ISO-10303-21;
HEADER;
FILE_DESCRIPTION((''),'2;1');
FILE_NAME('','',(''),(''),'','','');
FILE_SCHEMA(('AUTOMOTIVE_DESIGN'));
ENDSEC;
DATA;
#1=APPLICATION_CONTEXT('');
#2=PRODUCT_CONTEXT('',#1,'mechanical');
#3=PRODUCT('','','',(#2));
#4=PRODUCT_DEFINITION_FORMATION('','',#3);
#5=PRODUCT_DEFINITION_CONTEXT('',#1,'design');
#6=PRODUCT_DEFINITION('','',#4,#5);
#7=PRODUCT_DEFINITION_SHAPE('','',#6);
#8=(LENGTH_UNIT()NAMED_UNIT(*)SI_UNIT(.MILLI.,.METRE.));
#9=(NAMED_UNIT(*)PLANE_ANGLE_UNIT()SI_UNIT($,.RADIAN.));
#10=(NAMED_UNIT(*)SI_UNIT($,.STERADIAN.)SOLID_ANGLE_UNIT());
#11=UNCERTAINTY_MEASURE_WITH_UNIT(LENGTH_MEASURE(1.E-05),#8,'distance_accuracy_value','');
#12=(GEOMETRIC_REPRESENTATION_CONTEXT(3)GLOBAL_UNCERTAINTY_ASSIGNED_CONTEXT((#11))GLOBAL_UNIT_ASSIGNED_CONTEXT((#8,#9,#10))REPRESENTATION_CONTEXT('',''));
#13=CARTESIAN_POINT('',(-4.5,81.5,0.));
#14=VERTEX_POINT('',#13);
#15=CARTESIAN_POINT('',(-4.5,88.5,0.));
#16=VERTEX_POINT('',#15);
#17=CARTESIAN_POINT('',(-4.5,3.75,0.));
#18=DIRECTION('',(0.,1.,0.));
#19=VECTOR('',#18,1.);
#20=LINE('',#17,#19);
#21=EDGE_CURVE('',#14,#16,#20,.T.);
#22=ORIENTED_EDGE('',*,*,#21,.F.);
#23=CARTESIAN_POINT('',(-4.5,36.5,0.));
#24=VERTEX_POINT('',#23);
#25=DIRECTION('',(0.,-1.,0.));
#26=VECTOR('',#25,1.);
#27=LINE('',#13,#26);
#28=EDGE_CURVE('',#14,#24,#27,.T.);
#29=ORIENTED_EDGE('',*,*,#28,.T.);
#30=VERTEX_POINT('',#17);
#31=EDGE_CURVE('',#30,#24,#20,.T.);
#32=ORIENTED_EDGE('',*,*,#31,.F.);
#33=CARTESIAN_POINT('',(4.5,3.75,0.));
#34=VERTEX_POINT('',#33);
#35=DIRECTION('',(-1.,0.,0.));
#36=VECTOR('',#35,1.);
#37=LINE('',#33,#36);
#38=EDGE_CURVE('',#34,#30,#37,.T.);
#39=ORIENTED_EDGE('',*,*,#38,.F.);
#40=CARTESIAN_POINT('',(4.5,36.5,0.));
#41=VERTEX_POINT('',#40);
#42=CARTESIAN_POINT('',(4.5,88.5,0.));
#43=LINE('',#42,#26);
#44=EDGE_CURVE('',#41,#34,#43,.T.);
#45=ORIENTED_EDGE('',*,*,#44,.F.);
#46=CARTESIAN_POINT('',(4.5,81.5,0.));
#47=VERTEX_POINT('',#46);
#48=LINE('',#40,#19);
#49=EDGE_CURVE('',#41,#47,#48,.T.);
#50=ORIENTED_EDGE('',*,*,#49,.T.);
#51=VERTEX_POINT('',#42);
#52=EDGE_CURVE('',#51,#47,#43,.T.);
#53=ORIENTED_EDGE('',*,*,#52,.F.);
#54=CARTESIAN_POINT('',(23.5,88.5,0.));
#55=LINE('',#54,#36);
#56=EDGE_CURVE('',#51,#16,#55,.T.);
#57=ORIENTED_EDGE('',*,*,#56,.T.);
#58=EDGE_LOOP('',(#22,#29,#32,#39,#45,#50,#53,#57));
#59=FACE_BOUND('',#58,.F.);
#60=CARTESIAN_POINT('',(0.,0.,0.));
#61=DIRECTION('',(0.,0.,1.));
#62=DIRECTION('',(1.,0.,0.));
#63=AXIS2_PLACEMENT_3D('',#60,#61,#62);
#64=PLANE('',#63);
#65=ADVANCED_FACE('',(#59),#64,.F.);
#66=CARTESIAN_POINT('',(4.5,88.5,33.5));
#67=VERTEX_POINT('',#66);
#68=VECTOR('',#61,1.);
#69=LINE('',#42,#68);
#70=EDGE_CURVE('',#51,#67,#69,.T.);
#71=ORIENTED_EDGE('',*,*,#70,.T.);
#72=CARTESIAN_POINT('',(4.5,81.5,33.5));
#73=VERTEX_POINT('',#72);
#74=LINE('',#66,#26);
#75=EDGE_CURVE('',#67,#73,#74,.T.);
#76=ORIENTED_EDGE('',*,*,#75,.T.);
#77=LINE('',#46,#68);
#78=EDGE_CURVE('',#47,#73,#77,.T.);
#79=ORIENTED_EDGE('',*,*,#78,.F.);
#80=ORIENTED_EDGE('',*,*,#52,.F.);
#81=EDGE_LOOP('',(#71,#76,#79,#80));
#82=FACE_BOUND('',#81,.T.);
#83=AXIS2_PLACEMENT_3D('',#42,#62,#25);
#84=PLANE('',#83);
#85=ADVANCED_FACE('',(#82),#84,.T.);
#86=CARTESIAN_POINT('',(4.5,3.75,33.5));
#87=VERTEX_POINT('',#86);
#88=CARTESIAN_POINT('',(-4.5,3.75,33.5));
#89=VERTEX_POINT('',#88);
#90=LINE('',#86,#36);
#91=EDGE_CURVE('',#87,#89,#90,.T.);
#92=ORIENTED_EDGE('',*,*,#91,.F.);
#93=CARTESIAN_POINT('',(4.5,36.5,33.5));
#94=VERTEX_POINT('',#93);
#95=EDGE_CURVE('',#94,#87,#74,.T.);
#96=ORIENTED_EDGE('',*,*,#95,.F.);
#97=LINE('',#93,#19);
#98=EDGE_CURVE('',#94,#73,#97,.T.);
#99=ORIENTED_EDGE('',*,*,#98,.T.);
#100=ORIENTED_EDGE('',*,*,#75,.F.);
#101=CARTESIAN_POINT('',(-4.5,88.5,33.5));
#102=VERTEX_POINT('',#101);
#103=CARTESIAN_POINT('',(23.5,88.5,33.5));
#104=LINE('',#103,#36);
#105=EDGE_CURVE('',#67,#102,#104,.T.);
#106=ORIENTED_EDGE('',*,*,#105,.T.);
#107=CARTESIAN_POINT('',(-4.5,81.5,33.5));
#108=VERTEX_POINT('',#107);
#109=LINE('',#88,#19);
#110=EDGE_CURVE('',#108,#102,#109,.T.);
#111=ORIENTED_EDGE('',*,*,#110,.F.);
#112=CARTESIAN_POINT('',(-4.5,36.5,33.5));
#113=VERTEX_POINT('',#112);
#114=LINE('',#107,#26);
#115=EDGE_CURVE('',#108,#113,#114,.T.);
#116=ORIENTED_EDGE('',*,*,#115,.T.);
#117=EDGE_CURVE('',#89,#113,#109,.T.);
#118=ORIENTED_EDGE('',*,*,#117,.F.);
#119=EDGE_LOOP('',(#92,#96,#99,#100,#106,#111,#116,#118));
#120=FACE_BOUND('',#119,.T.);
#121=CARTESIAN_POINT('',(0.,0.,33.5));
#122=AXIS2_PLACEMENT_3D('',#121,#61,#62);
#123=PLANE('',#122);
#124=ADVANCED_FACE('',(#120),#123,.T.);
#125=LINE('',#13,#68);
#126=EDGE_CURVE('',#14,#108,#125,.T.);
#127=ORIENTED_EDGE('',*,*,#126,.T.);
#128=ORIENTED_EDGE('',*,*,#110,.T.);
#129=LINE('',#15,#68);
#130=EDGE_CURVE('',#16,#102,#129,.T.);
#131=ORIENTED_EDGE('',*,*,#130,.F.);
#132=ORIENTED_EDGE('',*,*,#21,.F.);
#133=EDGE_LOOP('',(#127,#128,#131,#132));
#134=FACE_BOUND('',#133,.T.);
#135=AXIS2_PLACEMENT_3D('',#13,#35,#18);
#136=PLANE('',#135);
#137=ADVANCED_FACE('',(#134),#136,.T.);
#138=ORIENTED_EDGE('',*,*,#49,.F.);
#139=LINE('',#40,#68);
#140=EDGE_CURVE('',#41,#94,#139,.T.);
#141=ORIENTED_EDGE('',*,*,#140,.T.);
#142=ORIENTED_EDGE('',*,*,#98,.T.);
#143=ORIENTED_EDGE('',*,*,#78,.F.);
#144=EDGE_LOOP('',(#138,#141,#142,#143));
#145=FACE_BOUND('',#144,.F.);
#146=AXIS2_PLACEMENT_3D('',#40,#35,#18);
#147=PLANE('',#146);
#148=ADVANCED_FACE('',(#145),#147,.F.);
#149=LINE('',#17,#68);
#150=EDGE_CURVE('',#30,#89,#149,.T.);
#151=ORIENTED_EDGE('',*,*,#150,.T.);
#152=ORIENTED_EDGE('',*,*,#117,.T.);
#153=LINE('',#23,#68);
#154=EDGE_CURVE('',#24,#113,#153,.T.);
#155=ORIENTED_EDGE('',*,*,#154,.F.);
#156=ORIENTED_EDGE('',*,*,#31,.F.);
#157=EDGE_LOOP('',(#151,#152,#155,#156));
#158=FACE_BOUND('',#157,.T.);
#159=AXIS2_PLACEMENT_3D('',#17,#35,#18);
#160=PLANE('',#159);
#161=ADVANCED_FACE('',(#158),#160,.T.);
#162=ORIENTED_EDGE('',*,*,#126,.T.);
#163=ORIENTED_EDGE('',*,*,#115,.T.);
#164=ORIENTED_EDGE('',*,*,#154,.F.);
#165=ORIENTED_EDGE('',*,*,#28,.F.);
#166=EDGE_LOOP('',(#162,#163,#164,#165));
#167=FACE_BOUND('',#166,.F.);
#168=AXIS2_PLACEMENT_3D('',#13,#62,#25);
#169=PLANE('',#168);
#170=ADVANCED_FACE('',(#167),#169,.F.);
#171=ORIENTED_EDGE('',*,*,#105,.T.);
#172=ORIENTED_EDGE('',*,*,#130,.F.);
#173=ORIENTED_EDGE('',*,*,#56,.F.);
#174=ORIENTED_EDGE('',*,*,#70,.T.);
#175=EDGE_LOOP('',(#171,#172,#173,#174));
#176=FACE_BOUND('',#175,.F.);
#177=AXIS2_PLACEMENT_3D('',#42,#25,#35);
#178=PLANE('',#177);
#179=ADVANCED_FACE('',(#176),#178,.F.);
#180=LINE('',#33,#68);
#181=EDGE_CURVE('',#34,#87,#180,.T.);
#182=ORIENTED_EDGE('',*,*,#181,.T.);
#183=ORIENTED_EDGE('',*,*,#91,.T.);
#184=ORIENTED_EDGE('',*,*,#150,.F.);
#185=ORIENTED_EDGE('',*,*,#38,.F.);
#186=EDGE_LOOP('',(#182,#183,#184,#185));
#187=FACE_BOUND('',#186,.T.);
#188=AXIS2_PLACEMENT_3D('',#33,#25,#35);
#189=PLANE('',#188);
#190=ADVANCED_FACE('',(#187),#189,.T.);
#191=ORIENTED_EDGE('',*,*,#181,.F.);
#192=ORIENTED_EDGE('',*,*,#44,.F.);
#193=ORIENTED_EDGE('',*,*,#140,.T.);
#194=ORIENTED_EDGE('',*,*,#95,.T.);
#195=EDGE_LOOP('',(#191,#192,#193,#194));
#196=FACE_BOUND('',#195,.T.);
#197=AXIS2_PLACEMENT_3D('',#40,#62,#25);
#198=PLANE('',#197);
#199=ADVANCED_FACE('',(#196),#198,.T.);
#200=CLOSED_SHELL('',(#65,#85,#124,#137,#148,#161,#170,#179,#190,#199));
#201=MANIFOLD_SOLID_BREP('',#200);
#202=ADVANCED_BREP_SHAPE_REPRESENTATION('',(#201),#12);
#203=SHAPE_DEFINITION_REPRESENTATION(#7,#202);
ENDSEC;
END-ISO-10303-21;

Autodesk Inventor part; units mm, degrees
ref_plane "YZ Plane" through (0, 0, 0) normal (1, 0, 0) x (0, 1, 0)
ref_plane "XZ Plane" through (0, 0, 0) normal (0, 1, 0) x (-1, 0, 0)
ref_plane "Work Plane1" through (0, 0, 0) normal (0, 0, 1) x (1, 0, 0)
ref_plane "Work Plane2" through (-89, -40.3889, 33.5) normal (0, 0, 1) x (1, 0, 0)
sketch "Sketch1" plane through (0, 0, 0) normal (0, 0, 1) x (1, 0, 0)
  line L0 (23.5, 88.5) -> (-23.5, 88.5) projected
  line L1 (-23.5, 88.5) -> (-23.5, 36.5) projected
  line L2 (-26.5, 33.5) -> (-89, 33.5) projected
  line L3 (-89, 33.5) -> (-89, -72.5) projected
  line L4 (-89, -72.5) -> (-77, -72.5) projected
  line L5 (-74, -75.5) -> (-74, -93.5) projected
  line L6 (-74, -93.5) -> (74, -93.5) projected
  line L7 (74, -93.5) -> (74, -75.5) projected
  line L8 (77, -72.5) -> (89, -72.5) projected
  line L9 (89, -72.5) -> (89, 33.5) projected
  line L10 (89, 33.5) -> (26.5, 33.5) projected
  line L11 (23.5, 36.5) -> (23.5, 88.5) projected
  line L12 (-4.5, 81.5) -> (-4.5, 36.5) projected
  line L13 (-7.5, 33.5) -> (-13.5, 33.5) projected
  line L14 (-16.5, 36.5) -> (-16.5, 81.5) projected
  line L15 (-13.5, 84.5) -> (-7.5, 84.5) projected
  line L16 (16.5, 81.5) -> (16.5, 36.5) projected
  line L17 (13.5, 33.5) -> (7.5, 33.5) projected
  line L18 (4.5, 36.5) -> (4.5, 81.5) projected
  line L19 (7.5, 84.5) -> (13.5, 84.5) projected
  line L20 (-4.5, 88.5) -> (4.5, 88.5)
  line L21 (4.5, 88.5) -> (4.5, 3.75)
  line L22 (4.5, 3.75) -> (-4.5, 3.75)
  line L23 (-4.5, 3.75) -> (-4.5, 88.5)
  line L24 (-32.2, 4.75) -> (-59.9, 4.75)
  arc A0 (13.5, 33.5) -> (16.5, 36.5) centre (13.5, 36.5) ccw projected
  arc A1 (4.5, 36.5) -> (7.5, 33.5) centre (7.5, 36.5) ccw projected
  arc A2 (7.5, 84.5) -> (4.5, 81.5) centre (7.5, 81.5) ccw projected
  arc A3 (16.5, 81.5) -> (13.5, 84.5) centre (13.5, 81.5) ccw projected
  arc A4 (-4.5, 81.5) -> (-7.5, 84.5) centre (-7.5, 81.5) ccw projected
  arc A5 (-7.5, 33.5) -> (-4.5, 36.5) centre (-7.5, 36.5) ccw projected
  arc A6 (-16.5, 36.5) -> (-13.5, 33.5) centre (-13.5, 36.5) ccw projected
  arc A7 (-13.5, 84.5) -> (-16.5, 81.5) centre (-13.5, 81.5) ccw projected
  arc A8 (-26.5, 33.5) -> (-23.5, 36.5) centre (-26.5, 36.5) ccw projected
  arc A9 (-74, -75.5) -> (-77, -72.5) centre (-77, -75.5) ccw projected
  arc A10 (77, -72.5) -> (74, -75.5) centre (77, -75.5) ccw projected
  arc A11 (23.5, 36.5) -> (26.5, 33.5) centre (26.5, 36.5) ccw projected
  point P0 (0, 0)
  point P1 (-4.5, 81.5)
  point P2 (-4.5, 36.5)
  dimension "d0" = 1
extrude "Extrusion1" add sketch "Sketch1" along normal up to surface (33.5 mm away) contours L21 L18 L22 L23 L12 L0
properties part number "middle_gear_holder"
